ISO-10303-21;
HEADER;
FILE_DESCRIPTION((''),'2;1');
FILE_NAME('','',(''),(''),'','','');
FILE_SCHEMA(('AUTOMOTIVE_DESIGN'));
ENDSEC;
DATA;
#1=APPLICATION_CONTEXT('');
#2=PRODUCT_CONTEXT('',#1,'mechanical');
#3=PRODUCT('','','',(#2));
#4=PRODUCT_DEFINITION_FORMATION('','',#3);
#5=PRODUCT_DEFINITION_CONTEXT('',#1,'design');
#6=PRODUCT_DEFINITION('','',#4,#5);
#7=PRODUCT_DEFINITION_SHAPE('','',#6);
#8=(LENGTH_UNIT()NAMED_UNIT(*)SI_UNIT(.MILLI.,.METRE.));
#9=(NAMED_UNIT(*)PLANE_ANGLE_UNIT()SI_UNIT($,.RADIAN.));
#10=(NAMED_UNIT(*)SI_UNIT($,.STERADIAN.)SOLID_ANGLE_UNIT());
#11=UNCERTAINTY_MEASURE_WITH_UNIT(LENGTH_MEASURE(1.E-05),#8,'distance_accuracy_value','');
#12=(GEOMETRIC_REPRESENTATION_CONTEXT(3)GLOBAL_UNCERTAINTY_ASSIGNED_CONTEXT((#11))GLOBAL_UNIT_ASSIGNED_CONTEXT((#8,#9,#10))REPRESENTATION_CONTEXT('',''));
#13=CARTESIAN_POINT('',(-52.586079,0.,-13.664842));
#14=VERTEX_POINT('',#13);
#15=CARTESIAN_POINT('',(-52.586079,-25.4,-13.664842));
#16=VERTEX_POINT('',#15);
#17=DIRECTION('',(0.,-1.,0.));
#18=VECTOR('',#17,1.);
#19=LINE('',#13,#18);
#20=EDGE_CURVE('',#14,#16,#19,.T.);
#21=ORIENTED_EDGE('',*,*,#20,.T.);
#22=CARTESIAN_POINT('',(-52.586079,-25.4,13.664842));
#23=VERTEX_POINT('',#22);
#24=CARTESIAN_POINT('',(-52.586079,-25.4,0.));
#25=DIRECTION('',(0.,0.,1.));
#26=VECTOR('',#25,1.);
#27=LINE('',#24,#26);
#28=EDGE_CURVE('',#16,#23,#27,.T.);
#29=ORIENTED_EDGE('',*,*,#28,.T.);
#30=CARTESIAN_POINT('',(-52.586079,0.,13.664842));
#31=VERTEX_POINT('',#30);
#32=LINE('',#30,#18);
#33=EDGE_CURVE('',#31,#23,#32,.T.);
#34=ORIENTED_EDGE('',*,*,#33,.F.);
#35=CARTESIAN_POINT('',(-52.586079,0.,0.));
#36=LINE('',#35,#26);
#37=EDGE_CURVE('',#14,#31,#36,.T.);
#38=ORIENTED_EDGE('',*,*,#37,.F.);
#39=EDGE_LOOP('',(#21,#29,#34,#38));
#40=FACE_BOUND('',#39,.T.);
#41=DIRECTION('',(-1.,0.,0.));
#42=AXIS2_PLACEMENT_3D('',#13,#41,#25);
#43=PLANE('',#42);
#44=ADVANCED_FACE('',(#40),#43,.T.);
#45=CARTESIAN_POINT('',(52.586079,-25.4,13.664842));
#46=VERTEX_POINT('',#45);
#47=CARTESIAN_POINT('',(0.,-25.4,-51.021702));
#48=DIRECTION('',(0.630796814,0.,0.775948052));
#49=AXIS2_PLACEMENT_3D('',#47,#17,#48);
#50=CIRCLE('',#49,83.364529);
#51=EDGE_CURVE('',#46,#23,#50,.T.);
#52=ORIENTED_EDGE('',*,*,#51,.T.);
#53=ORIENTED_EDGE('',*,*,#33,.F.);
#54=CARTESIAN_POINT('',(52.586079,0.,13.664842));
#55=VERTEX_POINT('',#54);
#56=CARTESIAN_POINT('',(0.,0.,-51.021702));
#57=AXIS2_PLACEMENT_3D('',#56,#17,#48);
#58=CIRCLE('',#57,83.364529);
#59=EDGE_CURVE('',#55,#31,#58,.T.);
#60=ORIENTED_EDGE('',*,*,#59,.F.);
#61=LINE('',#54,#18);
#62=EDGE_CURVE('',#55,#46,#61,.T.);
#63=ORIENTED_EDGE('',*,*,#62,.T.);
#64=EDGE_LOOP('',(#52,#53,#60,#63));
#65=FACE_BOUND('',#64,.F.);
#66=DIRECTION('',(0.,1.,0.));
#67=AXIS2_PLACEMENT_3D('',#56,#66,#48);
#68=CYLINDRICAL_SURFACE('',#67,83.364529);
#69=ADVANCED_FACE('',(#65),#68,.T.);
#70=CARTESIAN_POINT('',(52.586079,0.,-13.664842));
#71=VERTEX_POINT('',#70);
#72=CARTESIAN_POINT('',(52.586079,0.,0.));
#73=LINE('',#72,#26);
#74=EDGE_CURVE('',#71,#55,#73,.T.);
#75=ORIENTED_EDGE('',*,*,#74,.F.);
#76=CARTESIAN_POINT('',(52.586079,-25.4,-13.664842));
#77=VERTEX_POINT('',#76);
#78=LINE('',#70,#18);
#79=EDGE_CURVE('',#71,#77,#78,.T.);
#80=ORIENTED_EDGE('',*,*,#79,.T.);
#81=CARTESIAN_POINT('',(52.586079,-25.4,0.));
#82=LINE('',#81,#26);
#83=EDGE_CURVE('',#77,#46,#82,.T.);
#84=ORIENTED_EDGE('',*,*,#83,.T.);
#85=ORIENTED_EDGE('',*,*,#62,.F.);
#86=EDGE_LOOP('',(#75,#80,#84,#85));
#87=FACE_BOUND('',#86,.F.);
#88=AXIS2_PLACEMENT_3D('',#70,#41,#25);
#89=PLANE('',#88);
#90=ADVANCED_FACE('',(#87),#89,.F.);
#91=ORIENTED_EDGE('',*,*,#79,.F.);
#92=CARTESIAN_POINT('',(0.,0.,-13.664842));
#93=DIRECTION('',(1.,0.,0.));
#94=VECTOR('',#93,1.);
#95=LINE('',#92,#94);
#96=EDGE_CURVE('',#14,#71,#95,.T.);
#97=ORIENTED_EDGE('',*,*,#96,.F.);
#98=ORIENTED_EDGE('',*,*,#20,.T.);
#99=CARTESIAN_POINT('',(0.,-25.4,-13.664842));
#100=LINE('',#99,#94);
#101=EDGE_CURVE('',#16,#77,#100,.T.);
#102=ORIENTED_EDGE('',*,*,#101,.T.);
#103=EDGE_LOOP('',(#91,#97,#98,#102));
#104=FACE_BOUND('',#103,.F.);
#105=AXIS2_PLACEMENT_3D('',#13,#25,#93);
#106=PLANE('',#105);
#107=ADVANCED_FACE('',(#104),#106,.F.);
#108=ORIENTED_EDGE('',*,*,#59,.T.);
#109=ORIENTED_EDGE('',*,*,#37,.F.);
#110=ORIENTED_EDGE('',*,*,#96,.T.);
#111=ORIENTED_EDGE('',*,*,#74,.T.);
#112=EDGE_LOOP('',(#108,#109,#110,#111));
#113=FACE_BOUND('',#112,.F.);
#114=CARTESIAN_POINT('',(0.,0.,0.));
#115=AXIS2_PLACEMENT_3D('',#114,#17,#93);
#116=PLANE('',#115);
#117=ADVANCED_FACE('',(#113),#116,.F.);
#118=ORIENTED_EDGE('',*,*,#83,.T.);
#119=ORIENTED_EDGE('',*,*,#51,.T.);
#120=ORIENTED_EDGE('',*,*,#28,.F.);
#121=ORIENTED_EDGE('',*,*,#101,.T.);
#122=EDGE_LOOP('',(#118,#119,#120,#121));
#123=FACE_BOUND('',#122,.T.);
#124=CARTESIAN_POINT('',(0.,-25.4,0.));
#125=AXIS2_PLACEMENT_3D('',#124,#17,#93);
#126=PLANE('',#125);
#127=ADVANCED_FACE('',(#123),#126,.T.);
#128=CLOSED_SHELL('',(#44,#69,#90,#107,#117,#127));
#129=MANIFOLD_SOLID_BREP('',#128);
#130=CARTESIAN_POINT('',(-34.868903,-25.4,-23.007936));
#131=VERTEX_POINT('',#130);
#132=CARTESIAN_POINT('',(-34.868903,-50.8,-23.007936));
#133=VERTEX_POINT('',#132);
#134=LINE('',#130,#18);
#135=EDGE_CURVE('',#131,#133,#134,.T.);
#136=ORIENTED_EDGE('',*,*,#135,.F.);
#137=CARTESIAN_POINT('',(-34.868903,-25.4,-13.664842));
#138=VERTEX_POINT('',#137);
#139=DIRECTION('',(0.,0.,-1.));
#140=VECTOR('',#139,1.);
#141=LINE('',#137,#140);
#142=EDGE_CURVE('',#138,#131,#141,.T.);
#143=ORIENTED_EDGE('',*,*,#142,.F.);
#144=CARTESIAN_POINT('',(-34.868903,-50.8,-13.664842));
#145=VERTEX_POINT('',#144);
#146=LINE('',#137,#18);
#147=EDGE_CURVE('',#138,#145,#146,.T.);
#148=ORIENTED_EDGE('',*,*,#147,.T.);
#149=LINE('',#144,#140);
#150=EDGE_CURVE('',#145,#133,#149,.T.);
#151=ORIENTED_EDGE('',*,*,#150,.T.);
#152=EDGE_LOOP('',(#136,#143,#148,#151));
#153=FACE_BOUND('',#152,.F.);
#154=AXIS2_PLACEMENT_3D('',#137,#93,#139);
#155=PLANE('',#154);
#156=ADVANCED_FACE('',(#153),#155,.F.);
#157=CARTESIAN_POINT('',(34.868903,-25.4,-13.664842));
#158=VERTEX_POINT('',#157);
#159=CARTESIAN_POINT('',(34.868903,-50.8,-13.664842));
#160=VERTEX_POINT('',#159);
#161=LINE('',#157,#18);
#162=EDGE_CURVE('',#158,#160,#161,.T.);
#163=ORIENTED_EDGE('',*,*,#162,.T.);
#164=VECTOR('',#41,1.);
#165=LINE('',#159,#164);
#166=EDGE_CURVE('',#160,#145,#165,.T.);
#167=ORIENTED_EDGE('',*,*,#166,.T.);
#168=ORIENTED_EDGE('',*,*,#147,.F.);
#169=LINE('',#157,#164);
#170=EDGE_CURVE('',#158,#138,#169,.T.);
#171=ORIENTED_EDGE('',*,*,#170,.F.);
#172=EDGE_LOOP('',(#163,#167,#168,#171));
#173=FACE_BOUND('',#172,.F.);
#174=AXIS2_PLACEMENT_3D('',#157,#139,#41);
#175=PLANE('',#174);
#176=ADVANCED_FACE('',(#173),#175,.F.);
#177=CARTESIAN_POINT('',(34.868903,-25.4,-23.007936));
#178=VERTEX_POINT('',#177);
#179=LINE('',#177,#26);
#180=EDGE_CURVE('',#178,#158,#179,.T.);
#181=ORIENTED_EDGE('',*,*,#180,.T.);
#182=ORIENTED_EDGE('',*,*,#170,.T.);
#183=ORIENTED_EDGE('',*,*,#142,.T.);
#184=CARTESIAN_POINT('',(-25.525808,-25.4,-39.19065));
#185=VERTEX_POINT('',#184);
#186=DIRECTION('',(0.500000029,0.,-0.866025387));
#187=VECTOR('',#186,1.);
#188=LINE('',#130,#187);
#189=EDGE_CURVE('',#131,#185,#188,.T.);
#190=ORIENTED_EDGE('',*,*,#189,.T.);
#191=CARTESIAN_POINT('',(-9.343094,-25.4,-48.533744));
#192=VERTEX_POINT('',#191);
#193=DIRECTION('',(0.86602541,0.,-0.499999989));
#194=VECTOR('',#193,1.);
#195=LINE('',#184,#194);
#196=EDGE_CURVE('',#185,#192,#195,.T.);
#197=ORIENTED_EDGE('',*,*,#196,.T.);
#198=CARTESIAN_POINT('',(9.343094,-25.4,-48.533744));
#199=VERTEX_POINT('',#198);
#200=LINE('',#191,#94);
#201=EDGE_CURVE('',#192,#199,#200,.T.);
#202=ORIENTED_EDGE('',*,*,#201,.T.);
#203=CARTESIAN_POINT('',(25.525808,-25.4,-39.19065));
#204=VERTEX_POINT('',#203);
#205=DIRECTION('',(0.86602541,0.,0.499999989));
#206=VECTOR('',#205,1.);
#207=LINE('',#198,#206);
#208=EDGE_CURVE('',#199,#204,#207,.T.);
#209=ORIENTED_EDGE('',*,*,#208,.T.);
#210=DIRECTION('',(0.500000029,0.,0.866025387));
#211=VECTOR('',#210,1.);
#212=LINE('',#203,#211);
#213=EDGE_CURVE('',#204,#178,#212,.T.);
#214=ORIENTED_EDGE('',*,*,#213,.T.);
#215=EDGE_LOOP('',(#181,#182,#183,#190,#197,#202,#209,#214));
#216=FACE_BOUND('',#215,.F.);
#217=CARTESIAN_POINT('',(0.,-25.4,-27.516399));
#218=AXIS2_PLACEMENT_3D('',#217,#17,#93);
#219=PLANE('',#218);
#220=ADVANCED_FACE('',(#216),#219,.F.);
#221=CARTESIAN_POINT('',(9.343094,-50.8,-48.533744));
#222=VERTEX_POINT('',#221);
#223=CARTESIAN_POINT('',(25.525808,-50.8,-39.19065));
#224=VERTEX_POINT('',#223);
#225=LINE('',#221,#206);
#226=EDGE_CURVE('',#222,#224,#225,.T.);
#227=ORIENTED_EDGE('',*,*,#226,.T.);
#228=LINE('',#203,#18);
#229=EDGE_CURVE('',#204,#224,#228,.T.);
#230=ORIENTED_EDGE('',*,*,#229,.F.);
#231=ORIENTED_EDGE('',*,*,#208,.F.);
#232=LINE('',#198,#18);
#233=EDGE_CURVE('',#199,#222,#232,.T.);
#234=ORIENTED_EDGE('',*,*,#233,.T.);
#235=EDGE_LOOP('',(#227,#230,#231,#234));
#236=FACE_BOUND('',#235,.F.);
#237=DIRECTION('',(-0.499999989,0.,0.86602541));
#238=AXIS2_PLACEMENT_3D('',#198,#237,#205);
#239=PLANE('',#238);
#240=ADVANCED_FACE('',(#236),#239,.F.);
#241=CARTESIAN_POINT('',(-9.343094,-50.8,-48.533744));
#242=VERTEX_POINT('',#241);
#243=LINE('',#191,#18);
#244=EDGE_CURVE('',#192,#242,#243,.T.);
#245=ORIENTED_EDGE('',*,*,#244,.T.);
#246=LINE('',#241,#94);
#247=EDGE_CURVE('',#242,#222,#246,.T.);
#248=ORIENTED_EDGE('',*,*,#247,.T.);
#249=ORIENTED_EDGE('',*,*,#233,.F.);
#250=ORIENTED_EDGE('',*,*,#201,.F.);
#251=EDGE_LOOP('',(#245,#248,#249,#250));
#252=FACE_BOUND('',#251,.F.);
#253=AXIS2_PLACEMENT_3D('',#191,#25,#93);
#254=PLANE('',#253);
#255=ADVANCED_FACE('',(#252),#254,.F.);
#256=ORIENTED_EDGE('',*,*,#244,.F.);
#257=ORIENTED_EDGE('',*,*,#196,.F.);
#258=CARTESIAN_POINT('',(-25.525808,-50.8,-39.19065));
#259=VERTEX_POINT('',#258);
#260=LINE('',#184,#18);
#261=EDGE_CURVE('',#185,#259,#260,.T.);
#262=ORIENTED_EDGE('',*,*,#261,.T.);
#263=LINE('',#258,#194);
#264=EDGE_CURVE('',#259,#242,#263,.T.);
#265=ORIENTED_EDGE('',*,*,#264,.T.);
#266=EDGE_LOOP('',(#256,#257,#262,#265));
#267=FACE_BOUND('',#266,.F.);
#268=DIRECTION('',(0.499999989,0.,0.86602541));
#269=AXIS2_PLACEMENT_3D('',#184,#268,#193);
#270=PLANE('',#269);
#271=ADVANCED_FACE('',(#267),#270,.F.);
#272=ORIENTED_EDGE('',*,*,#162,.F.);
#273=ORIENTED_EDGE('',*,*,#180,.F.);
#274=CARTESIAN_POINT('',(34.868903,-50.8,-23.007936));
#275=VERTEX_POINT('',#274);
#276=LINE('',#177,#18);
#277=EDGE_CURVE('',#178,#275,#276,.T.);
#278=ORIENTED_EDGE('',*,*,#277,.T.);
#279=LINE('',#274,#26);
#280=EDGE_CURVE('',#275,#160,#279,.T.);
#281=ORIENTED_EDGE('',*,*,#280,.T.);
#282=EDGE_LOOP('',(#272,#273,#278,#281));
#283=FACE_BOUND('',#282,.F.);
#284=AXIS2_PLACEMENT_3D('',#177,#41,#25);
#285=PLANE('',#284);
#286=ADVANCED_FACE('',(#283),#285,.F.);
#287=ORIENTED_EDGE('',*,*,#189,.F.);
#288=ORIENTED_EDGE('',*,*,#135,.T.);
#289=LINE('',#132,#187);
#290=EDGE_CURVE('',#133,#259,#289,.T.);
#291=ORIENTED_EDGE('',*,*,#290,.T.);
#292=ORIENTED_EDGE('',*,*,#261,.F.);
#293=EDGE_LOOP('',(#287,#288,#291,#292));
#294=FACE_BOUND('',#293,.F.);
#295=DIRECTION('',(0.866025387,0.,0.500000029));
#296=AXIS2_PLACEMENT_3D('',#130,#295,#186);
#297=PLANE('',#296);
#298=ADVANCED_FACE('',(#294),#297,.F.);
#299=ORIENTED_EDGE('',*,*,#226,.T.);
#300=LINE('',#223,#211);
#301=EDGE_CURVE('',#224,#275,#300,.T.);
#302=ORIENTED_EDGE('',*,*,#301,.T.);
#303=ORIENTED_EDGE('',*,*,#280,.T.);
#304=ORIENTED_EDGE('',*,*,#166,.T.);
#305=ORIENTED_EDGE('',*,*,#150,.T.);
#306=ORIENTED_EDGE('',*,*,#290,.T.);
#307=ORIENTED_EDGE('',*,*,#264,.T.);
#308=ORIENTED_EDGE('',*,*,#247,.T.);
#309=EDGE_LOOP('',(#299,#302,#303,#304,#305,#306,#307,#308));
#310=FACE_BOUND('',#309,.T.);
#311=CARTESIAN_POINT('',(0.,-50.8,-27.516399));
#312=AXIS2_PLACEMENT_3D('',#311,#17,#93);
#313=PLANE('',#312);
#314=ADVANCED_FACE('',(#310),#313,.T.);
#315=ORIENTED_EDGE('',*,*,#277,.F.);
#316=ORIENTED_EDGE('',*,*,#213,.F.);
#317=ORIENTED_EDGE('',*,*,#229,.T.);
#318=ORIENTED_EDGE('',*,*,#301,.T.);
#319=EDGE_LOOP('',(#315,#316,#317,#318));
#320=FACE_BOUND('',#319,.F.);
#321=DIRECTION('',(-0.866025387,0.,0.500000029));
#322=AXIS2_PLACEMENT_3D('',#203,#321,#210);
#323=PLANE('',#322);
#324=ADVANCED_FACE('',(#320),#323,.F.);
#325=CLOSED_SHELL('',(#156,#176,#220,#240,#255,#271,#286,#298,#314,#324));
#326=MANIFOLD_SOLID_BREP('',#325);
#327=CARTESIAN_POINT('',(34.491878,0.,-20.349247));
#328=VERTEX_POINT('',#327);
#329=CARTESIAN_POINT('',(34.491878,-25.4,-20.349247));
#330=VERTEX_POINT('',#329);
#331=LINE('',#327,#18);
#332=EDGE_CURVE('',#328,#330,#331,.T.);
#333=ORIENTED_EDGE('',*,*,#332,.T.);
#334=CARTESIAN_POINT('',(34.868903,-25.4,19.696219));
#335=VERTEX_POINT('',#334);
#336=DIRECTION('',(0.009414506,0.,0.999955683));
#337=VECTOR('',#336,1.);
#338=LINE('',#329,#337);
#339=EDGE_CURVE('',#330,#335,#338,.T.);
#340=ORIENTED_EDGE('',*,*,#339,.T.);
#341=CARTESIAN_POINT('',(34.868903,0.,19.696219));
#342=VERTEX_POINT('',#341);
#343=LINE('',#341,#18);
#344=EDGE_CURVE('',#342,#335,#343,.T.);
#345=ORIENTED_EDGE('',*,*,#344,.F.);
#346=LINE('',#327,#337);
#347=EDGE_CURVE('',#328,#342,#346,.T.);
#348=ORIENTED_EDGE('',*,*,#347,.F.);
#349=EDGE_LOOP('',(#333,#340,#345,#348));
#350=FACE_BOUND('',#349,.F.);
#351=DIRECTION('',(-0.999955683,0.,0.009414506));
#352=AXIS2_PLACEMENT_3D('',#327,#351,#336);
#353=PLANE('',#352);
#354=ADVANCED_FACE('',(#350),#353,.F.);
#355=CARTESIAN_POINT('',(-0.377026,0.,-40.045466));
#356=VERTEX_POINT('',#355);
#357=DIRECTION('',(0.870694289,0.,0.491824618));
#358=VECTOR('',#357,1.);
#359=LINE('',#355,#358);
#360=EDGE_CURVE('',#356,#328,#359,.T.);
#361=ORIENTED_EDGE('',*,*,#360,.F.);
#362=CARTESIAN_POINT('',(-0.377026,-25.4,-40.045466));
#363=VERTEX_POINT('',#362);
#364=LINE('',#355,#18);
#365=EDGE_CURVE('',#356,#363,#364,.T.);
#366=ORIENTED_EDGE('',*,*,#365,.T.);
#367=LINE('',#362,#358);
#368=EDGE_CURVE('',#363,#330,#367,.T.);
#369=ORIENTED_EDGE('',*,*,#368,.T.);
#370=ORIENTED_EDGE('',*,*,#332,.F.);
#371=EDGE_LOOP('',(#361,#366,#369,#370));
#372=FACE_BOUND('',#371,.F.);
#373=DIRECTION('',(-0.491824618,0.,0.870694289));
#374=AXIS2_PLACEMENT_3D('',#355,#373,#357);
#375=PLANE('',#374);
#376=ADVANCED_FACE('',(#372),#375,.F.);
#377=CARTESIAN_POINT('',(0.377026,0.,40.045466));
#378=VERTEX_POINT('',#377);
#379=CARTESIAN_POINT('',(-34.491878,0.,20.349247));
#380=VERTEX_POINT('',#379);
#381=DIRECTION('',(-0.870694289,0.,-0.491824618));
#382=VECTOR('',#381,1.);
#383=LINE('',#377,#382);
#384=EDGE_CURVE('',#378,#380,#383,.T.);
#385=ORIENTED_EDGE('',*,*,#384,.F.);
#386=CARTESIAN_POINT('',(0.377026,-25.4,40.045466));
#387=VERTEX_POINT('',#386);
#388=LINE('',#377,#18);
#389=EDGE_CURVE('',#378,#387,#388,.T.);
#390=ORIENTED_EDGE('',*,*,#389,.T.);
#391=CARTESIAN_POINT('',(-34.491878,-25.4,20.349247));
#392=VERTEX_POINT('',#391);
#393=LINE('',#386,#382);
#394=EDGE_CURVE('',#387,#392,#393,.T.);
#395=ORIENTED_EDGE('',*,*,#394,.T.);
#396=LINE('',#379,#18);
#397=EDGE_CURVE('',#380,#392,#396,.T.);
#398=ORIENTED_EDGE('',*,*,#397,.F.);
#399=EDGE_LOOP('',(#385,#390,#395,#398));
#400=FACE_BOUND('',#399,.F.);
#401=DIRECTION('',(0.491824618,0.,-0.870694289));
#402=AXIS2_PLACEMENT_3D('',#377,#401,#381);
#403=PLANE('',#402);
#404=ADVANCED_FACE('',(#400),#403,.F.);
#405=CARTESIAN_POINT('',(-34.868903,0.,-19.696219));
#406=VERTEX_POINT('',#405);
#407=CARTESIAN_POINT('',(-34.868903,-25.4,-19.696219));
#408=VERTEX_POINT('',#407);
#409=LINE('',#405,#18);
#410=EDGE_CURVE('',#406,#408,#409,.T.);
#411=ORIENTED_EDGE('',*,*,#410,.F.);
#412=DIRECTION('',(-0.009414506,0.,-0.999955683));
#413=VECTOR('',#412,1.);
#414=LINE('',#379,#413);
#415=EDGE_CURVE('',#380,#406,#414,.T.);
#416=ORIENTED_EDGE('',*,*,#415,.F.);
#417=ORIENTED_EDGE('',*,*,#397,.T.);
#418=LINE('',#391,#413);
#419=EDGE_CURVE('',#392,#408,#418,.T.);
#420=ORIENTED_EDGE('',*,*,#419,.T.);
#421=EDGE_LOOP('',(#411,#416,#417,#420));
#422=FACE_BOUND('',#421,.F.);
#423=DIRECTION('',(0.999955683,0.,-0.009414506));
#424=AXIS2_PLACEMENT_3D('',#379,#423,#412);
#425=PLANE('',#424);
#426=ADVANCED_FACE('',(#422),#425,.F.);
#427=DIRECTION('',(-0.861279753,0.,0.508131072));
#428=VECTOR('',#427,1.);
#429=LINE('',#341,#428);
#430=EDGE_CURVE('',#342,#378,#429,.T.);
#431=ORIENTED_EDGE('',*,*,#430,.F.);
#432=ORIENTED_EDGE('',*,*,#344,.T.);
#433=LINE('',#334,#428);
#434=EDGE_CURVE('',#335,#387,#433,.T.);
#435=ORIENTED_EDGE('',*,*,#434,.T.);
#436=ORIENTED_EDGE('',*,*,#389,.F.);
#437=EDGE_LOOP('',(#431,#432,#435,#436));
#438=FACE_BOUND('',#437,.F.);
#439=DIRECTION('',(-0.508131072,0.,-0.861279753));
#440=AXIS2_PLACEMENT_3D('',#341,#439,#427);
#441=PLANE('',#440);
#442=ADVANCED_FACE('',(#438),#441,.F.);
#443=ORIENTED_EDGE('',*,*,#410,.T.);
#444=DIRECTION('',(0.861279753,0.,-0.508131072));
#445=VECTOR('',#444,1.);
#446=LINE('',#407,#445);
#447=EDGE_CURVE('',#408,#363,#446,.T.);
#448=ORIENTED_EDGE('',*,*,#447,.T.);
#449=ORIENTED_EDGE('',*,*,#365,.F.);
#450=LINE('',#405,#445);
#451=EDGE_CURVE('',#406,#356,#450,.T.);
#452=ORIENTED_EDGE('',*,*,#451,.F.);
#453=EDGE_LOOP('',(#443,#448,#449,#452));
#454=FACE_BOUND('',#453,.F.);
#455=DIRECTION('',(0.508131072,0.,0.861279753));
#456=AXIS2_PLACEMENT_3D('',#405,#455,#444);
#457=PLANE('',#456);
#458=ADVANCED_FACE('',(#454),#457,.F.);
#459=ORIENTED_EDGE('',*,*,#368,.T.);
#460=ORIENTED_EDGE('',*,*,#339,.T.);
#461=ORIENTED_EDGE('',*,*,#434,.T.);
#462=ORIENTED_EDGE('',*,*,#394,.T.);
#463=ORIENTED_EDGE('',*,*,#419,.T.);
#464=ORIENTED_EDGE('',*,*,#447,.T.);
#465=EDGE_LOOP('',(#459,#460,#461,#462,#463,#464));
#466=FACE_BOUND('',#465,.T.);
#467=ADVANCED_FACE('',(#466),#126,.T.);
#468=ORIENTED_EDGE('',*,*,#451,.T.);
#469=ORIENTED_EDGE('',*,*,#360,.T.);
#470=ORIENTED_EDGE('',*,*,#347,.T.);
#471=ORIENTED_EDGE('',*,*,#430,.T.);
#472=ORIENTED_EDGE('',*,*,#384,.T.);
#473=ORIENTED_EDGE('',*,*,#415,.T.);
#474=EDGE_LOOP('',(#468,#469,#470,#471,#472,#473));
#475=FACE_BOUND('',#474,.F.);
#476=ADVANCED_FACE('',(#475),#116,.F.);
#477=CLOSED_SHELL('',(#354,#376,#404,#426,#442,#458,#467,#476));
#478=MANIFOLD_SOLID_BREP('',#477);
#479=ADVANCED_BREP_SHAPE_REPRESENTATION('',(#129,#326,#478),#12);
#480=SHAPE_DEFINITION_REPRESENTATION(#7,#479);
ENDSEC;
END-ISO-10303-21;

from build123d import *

# Parameters (mm, degrees)
F0_W     = 105.172158
F0_H     = 27.329684
F1_DEPTH = 25.4
F3_DEPTH = 25.4
F5_DEPTH = 25.4


with BuildPart() as f1:
    # F0 (on Front) → F1 (new body)
    with BuildSketch(Plane.XZ):
        Rectangle(F0_W, F0_H)
        with BuildLine():
            Line((-52.586079, 13.664842), (52.586079, 13.664842))
            ThreePointArc((52.586079, 13.664842), (0, 32.342827), (-52.586079, 13.664842))
        make_face()
    extrude(amount=F1_DEPTH)


with BuildPart() as f3:
    # F2 (on face) → F3 (new body)
    with BuildSketch(Plane.XZ.offset(25.4)):
        Polygon((-9.343094, -48.533744), (9.343094, -48.533744), (25.525808, -39.19065), (34.868903, -23.007936), (34.868903, -13.664842), (-34.868903, -13.664842), (-34.868903, -23.007936), (-25.525808, -39.19065), align=None)
    extrude(amount=F3_DEPTH)


with BuildPart() as f5:
    # F4 (on Front) → F5 (new body)
    with BuildSketch(Plane.XZ):
        Polygon((-34.491878, 20.349247), (-34.868903, -19.696219), (-0.377026, -40.045466), (34.491878, -20.349247), (34.868903, 19.696219), (0.377026, 40.045466), align=None)
    extrude(amount=F5_DEPTH)


solid = Compound([f1.part, f3.part, f5.part])
